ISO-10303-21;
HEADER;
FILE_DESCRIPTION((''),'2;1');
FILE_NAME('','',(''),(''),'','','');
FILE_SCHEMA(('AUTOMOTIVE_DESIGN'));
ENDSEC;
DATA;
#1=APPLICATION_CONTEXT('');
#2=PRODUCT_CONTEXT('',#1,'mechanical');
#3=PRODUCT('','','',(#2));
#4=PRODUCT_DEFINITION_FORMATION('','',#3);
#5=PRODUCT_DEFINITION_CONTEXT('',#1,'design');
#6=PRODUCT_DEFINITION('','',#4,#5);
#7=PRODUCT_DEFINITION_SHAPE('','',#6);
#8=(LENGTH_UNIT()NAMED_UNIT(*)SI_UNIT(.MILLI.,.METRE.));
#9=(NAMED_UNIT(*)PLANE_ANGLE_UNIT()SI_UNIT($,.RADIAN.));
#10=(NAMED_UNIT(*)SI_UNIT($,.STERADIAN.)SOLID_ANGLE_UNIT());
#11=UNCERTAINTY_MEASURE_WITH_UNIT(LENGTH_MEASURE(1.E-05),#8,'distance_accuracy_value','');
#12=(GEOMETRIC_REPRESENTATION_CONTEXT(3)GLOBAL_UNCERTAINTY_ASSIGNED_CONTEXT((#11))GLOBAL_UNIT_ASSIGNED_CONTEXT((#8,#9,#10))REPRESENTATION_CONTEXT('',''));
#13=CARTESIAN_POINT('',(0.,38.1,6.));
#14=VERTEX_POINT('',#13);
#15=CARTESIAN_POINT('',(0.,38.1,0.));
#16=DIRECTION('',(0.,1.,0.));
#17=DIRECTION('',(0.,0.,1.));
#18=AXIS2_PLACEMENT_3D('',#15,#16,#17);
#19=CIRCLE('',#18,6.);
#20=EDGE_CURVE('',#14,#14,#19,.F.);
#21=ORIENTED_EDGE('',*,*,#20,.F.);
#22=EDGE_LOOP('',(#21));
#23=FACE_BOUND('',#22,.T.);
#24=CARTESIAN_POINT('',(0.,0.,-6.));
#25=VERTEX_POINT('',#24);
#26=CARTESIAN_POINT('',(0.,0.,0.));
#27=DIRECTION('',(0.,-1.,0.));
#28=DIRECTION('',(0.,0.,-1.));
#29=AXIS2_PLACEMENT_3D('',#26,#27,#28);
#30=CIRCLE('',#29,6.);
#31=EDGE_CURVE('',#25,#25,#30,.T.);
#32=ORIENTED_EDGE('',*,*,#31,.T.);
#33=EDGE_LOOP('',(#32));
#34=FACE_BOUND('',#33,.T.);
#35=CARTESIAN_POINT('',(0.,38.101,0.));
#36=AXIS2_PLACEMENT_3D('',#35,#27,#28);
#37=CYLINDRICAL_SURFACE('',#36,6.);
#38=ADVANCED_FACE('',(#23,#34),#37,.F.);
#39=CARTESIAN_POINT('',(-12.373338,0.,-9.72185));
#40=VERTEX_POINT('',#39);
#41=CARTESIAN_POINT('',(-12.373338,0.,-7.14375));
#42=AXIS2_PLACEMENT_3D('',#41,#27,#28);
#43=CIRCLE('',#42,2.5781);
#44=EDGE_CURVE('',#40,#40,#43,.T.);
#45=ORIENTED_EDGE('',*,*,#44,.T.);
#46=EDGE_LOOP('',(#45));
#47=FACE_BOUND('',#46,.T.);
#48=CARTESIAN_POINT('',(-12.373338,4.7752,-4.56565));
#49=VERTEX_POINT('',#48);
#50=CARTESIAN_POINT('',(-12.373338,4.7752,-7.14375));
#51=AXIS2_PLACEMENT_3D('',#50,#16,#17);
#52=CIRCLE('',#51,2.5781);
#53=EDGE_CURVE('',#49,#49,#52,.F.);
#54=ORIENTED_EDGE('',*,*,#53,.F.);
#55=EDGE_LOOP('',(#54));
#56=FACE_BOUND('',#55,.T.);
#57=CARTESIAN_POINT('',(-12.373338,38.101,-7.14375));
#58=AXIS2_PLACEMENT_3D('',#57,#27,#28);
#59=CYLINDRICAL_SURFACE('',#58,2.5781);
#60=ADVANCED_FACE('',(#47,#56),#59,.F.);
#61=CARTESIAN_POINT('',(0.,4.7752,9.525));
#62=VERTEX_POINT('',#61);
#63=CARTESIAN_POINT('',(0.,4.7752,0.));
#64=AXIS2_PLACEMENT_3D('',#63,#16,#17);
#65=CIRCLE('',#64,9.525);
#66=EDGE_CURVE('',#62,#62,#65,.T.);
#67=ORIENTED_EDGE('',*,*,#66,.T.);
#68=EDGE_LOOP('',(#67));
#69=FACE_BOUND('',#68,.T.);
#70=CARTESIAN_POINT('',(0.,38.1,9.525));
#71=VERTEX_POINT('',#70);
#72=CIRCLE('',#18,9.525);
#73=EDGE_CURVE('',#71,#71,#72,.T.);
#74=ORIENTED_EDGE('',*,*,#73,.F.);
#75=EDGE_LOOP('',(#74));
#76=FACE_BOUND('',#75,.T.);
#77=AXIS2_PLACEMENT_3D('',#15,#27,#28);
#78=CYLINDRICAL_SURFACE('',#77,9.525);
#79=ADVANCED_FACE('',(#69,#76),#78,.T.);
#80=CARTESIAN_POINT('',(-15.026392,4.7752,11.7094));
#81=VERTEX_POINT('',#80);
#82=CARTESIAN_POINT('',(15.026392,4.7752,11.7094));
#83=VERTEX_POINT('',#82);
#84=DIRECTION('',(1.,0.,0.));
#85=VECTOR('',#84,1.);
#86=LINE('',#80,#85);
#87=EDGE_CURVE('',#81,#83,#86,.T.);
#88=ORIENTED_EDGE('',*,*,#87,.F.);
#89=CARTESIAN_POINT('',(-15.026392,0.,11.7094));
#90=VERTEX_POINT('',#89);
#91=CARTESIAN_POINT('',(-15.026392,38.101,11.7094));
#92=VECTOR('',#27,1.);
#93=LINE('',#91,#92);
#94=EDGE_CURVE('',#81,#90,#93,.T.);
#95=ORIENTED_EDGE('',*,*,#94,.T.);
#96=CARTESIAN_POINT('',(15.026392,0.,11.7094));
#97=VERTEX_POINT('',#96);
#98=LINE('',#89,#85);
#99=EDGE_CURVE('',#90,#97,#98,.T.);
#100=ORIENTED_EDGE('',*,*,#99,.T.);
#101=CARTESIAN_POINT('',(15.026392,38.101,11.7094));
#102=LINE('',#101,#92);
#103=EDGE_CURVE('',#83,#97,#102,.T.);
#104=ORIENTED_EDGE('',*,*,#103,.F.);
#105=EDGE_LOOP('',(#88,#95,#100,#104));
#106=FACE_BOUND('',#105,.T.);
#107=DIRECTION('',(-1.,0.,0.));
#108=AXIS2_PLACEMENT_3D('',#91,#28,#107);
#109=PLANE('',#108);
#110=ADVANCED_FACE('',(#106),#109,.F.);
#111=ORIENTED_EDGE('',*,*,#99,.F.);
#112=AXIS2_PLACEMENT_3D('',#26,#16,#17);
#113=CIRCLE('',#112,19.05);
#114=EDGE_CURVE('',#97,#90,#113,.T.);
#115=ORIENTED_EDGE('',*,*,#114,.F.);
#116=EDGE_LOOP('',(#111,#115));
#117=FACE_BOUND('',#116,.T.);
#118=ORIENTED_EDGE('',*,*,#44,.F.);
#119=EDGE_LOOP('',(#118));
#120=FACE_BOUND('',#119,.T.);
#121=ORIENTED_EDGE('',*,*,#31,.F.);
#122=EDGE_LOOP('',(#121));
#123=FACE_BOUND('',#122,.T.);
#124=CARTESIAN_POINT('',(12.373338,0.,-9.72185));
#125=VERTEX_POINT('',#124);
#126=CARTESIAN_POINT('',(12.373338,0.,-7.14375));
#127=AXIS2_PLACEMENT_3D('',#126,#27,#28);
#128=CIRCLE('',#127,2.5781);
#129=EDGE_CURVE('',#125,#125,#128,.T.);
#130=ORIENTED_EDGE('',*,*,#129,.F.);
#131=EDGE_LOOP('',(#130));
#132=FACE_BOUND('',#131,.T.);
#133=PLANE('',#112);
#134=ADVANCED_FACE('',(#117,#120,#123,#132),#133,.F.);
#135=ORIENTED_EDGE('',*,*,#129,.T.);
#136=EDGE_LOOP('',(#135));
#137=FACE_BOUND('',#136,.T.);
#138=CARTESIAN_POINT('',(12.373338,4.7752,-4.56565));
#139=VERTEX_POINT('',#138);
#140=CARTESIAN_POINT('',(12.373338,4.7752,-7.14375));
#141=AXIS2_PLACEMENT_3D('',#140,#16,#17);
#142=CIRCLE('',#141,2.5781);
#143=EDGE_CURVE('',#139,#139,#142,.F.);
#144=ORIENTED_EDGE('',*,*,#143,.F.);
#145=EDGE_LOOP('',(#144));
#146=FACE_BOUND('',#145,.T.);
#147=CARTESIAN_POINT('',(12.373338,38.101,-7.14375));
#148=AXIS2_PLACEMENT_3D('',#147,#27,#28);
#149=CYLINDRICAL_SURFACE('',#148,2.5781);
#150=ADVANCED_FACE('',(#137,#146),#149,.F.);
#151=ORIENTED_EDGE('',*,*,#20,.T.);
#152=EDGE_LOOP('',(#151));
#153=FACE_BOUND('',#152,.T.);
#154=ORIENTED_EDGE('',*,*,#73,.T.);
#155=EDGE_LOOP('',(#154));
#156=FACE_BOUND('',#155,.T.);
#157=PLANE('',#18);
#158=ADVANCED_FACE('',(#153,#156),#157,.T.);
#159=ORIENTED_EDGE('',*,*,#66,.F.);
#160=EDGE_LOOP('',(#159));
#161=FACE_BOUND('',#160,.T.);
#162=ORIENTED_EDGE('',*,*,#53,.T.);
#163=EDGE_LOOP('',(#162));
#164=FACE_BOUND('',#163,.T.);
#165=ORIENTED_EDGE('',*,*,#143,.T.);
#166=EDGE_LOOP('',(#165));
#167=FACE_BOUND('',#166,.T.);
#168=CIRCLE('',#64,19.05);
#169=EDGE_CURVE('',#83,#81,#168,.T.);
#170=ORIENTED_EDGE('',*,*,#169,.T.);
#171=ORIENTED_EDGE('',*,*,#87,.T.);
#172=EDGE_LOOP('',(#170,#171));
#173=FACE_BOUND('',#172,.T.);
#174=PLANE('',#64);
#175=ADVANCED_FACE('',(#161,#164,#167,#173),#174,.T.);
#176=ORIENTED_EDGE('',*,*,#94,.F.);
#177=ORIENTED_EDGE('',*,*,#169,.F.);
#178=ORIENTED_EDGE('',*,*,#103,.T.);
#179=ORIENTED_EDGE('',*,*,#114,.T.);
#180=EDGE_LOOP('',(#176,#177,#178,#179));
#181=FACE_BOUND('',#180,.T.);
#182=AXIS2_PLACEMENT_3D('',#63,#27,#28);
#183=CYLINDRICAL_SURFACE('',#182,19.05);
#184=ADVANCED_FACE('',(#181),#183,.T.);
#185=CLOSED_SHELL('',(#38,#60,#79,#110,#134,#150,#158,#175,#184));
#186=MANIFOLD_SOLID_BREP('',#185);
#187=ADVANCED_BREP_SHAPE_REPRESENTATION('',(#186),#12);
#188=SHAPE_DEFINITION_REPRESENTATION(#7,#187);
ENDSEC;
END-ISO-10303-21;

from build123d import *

# Parameters (mm, degrees)
SKETCH1_R           = 19.05
BOSS_EXTRUDE1_DEPTH = 4.7752
SKETCH2_R           = 9.525
BOSS_EXTRUDE2_DEPTH = 33.3248
CUT_EXTRUDE1_REACH  = 48.663
SKETCH3_R           = 2.5781
CUT_EXTRUDE2_REACH  = 48.663
SKETCH4_R           = 6
CUT_EXTRUDE3_REACH  = 48.663


with BuildPart() as part:
    # Sketch1 → Boss-Extrude1 (new body)
    with BuildSketch(Plane(origin=(0, 0, 0), x_dir=(1, 0, 0), z_dir=(0, 1, 0))):
        with Locations(Location((0, 0, 0), (0, 0, 270))):
            Circle(SKETCH1_R)
    extrude(amount=BOSS_EXTRUDE1_DEPTH)

    # Sketch2 → Boss-Extrude2 (add)
    with BuildSketch(Plane(origin=(0, 4.7752, 0), x_dir=(1, 0, 0), z_dir=(0, 1, 0))):
        with Locations(Location((0, 0, 0), (0, 0, 270))):
            Circle(SKETCH2_R)
    extrude(amount=BOSS_EXTRUDE2_DEPTH)

    # Sketch3 → Cut-Extrude1 (cut, up to next)
    with BuildSketch(Plane.XZ, mode=Mode.PRIVATE) as cut_extrude1_sk1:
        with Locations(Location((0, 14.2875, 0), (0, 0, 270))):
            Circle(SKETCH3_R)
    cut_extrude1_tool1 = extrude(cut_extrude1_sk1.sketch, amount=-CUT_EXTRUDE1_REACH, mode=Mode.PRIVATE) & part.part
    # Sketch3 → Cut-Extrude1 (cut, up to next)
    with BuildSketch(Plane.XZ, mode=Mode.PRIVATE) as cut_extrude1_sk2:
        with Locations(Location((-12.373337957, -7.14375, 0), (0, 0, 270))):
            Circle(SKETCH3_R)
    cut_extrude1_tool2 = extrude(cut_extrude1_sk2.sketch, amount=-CUT_EXTRUDE1_REACH, mode=Mode.PRIVATE) & part.part
    # Sketch3 → Cut-Extrude1 (cut, up to next)
    with BuildSketch(Plane.XZ, mode=Mode.PRIVATE) as cut_extrude1_sk3:
        with Locations(Location((12.373337957, -7.14375, 0), (0, 0, 270))):
            Circle(SKETCH3_R)
    cut_extrude1_tool3 = extrude(cut_extrude1_sk3.sketch, amount=-CUT_EXTRUDE1_REACH, mode=Mode.PRIVATE) & part.part
    add(cut_extrude1_tool1.solids().sort_by_distance((0, 0, 14.2875))[0], mode=Mode.SUBTRACT)
    add(cut_extrude1_tool2.solids().sort_by_distance((-12.373338, 0, -7.14375))[0], mode=Mode.SUBTRACT)
    add(cut_extrude1_tool3.solids().sort_by_distance((12.373338, 0, -7.14375))[0], mode=Mode.SUBTRACT)

    # Sketch4 → Cut-Extrude2 (cut, up to next)
    with BuildSketch(Plane.XZ, mode=Mode.PRIVATE) as cut_extrude2_sk1:
        with Locations(Location((0, 0, 0), (0, 0, 270))):
            Circle(SKETCH4_R)
    cut_extrude2_tool1 = extrude(cut_extrude2_sk1.sketch, amount=-CUT_EXTRUDE2_REACH, mode=Mode.PRIVATE) & part.part
    add(cut_extrude2_tool1.solids().sort_by_distance((0, 0, 0))[0], mode=Mode.SUBTRACT)

    # Sketch5 → Cut-Extrude3 (cut, up to next)
    with BuildSketch(Plane(origin=(0, 0, 0), x_dir=(-1, 0, 0), z_dir=(0, -1, 0)), mode=Mode.PRIVATE) as cut_extrude3_sk1:
        with BuildLine():
            Line((15.026391837, -11.7094), (-15.026391837, -11.7094))
            ThreePointArc((-15.026391837, -11.7094), (0, -19.05), (15.026391837, -11.7094))
        make_face()
    cut_extrude3_tool1 = extrude(cut_extrude3_sk1.sketch, amount=-CUT_EXTRUDE3_REACH, mode=Mode.PRIVATE) & part.part
    add(cut_extrude3_tool1.solids().sort_by_distance((0, 0, 14.700269))[0], mode=Mode.SUBTRACT)


solid = part.part
